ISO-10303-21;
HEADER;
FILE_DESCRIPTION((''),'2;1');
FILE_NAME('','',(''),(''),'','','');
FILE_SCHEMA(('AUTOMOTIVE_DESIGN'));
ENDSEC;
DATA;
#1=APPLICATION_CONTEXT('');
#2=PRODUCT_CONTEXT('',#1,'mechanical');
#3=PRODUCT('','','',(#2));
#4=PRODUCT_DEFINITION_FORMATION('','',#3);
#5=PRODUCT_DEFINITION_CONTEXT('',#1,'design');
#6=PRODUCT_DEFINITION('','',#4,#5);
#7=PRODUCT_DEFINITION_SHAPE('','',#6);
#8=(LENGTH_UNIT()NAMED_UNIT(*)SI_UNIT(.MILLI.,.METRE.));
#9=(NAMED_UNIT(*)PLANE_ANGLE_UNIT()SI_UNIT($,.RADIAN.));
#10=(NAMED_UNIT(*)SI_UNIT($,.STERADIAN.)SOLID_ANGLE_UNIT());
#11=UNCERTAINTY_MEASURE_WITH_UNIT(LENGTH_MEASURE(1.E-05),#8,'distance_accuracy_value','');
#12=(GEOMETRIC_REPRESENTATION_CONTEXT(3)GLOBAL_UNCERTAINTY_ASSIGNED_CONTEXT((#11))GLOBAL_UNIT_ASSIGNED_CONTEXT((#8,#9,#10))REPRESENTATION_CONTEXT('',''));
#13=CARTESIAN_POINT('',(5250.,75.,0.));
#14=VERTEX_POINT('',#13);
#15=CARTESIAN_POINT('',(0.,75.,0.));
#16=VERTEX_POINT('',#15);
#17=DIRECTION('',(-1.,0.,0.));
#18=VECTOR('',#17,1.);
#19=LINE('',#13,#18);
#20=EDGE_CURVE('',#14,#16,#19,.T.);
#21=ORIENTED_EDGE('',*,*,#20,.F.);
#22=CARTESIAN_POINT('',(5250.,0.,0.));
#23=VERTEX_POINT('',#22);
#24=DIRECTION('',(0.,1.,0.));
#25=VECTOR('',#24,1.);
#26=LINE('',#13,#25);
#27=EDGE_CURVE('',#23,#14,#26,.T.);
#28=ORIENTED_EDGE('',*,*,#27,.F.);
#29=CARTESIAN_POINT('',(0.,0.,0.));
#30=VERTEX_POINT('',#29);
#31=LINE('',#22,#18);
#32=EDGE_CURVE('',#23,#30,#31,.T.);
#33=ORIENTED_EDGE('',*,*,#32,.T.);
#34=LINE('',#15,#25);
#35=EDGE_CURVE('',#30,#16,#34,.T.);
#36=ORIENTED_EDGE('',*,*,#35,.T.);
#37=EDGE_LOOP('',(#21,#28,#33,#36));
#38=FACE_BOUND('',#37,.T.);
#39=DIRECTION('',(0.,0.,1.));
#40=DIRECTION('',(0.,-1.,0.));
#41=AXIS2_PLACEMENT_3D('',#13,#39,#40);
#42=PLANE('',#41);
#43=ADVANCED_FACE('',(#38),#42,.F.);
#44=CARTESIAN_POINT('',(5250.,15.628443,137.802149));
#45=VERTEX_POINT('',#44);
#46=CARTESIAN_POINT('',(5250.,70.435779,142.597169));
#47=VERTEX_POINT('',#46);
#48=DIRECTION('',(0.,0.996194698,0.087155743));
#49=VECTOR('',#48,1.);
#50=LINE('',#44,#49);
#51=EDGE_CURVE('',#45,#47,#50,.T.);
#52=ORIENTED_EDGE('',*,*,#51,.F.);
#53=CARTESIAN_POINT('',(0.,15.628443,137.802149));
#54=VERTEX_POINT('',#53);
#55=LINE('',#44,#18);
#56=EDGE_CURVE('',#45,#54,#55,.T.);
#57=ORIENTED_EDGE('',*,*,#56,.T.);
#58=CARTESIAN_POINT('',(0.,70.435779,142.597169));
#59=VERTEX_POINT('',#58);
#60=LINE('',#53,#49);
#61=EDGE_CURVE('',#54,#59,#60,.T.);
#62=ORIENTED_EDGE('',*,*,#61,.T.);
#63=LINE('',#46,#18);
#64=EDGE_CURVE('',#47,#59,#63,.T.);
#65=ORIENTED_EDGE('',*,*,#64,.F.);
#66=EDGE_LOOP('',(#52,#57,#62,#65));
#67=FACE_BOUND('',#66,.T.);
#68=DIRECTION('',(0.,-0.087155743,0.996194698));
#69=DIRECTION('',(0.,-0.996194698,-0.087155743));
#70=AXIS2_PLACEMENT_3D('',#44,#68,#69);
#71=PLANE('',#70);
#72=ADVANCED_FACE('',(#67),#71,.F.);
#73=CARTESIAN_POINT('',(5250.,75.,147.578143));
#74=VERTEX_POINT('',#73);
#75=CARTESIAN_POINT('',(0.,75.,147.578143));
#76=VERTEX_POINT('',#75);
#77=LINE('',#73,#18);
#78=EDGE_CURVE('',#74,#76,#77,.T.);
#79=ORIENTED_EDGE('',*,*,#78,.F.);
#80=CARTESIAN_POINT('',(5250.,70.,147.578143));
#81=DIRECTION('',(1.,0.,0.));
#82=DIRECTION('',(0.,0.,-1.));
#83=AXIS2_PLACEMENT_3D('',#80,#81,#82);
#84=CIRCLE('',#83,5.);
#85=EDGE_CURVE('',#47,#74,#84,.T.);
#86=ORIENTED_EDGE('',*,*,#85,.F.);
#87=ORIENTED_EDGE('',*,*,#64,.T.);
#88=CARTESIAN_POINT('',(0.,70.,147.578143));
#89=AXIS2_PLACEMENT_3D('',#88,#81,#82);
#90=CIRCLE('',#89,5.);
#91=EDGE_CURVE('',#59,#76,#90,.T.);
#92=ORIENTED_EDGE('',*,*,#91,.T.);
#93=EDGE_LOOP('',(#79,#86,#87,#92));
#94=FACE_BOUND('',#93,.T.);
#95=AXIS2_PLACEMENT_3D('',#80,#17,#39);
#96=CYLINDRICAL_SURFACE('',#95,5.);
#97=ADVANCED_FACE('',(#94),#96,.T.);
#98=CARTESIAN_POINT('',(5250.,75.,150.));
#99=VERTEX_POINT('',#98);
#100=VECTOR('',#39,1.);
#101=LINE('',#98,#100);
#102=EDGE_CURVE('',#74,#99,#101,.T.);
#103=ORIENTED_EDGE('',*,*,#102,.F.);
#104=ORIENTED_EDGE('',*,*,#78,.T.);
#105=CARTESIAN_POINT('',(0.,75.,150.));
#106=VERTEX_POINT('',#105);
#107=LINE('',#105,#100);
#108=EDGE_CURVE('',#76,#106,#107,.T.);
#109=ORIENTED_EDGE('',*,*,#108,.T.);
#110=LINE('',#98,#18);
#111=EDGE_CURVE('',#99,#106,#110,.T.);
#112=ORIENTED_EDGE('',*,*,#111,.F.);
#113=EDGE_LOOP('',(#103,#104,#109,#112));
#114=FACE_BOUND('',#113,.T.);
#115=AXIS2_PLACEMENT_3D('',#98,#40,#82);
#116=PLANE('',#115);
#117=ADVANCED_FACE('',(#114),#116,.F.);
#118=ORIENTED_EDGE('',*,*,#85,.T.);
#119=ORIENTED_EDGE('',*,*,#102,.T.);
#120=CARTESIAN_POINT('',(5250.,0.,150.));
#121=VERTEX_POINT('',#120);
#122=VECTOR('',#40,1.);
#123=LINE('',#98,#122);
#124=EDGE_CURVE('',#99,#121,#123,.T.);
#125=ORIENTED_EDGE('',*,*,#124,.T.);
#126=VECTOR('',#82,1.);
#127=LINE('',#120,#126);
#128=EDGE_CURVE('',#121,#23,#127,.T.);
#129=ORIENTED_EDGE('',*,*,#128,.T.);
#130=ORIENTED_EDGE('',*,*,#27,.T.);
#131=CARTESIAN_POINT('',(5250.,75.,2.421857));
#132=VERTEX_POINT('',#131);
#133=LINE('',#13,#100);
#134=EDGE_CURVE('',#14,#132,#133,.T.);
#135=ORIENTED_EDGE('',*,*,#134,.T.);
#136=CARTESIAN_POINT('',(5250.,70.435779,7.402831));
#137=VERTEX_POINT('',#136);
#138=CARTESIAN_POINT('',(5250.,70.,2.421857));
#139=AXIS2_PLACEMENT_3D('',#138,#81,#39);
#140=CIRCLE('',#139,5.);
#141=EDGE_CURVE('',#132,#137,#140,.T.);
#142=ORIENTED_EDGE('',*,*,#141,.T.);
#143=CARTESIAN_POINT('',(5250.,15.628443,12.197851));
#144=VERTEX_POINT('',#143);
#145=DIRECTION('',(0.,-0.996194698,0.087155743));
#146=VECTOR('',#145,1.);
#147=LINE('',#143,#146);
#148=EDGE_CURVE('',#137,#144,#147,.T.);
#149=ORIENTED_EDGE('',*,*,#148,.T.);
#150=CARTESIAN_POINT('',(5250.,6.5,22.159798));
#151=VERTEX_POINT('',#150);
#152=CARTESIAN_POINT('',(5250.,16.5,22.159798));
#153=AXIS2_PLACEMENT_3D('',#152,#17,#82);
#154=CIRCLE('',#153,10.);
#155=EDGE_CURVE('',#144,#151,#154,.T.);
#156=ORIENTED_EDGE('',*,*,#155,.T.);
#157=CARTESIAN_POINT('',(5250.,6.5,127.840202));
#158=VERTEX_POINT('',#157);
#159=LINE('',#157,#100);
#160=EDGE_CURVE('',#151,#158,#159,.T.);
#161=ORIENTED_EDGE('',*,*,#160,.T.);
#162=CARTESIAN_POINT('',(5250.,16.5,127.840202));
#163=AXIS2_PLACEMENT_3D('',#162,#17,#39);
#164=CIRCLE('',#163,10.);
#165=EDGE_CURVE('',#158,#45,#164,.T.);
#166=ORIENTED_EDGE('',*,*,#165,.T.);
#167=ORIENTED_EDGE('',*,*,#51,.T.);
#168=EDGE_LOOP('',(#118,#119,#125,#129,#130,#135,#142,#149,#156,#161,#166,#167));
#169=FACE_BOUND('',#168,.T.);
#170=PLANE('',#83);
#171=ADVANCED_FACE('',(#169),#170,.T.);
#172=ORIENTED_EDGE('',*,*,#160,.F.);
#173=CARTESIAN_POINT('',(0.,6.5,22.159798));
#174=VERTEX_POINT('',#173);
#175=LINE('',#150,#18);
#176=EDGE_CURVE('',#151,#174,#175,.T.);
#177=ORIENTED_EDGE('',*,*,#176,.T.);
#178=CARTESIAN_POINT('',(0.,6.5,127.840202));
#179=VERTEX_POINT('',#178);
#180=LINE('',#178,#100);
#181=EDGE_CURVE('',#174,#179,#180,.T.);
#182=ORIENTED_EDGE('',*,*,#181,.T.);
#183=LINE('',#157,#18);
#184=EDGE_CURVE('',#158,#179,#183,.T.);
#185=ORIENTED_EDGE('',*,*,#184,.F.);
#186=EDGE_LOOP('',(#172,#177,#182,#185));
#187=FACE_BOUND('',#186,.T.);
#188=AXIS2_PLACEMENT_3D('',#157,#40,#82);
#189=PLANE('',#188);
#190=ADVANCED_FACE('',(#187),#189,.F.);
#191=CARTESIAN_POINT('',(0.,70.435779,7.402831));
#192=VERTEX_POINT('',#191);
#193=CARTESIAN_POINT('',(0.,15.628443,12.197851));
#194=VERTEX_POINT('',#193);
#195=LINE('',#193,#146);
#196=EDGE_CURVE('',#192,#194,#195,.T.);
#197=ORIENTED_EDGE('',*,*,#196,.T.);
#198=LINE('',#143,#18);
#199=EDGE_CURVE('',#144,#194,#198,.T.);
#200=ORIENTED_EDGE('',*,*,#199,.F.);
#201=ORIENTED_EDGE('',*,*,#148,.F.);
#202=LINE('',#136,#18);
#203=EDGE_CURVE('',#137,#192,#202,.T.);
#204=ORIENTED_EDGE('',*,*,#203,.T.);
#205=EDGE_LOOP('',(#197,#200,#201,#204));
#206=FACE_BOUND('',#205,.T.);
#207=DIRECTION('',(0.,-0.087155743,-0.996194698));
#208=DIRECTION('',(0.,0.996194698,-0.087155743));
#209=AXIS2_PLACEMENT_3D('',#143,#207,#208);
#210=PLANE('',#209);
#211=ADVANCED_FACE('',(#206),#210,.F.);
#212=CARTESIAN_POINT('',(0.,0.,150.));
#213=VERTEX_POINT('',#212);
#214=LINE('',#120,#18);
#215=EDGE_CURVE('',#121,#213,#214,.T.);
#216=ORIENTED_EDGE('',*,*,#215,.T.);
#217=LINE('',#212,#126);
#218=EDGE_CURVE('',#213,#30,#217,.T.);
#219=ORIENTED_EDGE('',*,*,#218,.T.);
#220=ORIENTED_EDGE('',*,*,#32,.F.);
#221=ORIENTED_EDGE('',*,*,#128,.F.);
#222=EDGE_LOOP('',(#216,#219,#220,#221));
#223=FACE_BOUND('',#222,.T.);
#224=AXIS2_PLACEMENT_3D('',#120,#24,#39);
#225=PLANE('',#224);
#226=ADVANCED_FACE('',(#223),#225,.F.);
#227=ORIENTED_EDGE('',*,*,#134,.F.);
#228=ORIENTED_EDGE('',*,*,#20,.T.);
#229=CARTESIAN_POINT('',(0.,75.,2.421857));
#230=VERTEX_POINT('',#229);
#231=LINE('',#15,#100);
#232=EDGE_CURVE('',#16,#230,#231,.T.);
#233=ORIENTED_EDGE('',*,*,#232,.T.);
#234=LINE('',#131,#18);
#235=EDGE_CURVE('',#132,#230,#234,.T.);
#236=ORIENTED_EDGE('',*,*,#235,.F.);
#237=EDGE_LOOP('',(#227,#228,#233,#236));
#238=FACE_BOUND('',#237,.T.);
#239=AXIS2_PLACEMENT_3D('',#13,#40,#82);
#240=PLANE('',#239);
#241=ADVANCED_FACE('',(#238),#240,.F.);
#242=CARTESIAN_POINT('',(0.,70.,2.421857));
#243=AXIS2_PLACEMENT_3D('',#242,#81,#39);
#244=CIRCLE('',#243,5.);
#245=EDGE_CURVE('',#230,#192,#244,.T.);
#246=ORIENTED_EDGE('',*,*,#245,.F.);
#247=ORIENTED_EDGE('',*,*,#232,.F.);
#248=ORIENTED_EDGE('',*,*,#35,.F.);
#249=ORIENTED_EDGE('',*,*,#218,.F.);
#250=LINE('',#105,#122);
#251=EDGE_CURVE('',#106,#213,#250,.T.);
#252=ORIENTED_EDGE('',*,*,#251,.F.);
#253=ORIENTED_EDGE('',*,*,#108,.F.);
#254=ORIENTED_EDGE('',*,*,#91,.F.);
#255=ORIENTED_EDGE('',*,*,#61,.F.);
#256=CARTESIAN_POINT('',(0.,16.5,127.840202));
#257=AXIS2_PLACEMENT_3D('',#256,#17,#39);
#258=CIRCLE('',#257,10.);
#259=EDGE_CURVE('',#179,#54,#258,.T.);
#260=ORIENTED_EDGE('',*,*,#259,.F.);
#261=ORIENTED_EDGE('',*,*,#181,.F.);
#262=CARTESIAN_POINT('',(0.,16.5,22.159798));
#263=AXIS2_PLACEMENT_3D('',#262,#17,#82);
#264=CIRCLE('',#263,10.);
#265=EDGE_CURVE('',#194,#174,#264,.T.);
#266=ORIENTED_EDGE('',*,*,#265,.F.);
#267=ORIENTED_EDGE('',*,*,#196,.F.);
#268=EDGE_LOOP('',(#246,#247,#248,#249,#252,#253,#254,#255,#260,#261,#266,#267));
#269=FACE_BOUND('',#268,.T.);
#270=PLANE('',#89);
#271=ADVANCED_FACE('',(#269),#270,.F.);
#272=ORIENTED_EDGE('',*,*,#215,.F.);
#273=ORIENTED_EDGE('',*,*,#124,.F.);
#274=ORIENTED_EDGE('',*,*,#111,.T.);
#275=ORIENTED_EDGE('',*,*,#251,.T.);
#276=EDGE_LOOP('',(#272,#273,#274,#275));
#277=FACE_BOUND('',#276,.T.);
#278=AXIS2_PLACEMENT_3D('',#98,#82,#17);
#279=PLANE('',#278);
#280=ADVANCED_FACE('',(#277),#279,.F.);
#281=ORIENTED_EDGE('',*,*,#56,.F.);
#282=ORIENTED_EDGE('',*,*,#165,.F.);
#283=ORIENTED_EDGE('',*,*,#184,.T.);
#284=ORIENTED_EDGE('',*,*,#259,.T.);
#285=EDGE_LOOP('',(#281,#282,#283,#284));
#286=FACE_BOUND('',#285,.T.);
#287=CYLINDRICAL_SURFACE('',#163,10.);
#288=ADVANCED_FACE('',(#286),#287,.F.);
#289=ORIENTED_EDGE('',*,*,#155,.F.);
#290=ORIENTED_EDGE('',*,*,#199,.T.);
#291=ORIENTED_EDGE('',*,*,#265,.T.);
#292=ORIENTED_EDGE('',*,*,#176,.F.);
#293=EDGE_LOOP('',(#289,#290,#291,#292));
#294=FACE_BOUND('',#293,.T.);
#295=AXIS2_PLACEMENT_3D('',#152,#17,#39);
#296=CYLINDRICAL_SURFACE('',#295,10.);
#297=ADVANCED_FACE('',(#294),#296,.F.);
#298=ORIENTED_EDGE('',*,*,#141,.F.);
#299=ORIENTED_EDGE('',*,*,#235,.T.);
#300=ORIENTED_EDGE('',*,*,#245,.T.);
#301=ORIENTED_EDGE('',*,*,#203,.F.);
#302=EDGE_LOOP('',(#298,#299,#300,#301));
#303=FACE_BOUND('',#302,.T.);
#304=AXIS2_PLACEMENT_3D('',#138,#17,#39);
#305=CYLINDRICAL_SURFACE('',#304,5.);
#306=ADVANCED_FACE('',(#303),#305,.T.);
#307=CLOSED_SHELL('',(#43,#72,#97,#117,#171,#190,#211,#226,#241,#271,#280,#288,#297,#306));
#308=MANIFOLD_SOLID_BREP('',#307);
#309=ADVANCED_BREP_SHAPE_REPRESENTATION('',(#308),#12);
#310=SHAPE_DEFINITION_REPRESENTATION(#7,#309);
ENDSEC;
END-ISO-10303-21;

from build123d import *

# Parameters (mm, degrees)
C_KANAL_C_150_X_75_X_6_5_1_DEPTH = 5250


with BuildPart() as part:
    # Sketch1 → C kanal C 150 X 75 X 6.5(1) (new body)
    with BuildSketch(Plane.YZ):
        with BuildLine():
            Line((75, 150), (0, 150))
            Line((0, 150), (0, 0))
            Line((0, 0), (75, 0))
            Line((75, 0), (75, 2.421857404))
            ThreePointArc((75, 2.421857404), (73.686386684, 5.799808442), (70.435778714, 7.402830895))
            Line((70.435778714, 7.402830895), (15.628442573, 12.197851485))
            ThreePointArc((15.628442573, 12.197851485), (9.127226632, 15.40389639), (6.5, 22.159798466))
            Line((6.5, 22.159798466), (6.5, 127.840201534))
            ThreePointArc((6.5, 127.840201534), (9.127226632, 134.59610361), (15.628442573, 137.802148515))
            Line((15.628442573, 137.802148515), (70.435778714, 142.597169105))
            ThreePointArc((70.435778714, 142.597169105), (73.686386684, 144.200191558), (75, 147.578142596))
            Line((75, 147.578142596), (75, 150))
        make_face()
    extrude(amount=C_KANAL_C_150_X_75_X_6_5_1_DEPTH)


solid = part.part
